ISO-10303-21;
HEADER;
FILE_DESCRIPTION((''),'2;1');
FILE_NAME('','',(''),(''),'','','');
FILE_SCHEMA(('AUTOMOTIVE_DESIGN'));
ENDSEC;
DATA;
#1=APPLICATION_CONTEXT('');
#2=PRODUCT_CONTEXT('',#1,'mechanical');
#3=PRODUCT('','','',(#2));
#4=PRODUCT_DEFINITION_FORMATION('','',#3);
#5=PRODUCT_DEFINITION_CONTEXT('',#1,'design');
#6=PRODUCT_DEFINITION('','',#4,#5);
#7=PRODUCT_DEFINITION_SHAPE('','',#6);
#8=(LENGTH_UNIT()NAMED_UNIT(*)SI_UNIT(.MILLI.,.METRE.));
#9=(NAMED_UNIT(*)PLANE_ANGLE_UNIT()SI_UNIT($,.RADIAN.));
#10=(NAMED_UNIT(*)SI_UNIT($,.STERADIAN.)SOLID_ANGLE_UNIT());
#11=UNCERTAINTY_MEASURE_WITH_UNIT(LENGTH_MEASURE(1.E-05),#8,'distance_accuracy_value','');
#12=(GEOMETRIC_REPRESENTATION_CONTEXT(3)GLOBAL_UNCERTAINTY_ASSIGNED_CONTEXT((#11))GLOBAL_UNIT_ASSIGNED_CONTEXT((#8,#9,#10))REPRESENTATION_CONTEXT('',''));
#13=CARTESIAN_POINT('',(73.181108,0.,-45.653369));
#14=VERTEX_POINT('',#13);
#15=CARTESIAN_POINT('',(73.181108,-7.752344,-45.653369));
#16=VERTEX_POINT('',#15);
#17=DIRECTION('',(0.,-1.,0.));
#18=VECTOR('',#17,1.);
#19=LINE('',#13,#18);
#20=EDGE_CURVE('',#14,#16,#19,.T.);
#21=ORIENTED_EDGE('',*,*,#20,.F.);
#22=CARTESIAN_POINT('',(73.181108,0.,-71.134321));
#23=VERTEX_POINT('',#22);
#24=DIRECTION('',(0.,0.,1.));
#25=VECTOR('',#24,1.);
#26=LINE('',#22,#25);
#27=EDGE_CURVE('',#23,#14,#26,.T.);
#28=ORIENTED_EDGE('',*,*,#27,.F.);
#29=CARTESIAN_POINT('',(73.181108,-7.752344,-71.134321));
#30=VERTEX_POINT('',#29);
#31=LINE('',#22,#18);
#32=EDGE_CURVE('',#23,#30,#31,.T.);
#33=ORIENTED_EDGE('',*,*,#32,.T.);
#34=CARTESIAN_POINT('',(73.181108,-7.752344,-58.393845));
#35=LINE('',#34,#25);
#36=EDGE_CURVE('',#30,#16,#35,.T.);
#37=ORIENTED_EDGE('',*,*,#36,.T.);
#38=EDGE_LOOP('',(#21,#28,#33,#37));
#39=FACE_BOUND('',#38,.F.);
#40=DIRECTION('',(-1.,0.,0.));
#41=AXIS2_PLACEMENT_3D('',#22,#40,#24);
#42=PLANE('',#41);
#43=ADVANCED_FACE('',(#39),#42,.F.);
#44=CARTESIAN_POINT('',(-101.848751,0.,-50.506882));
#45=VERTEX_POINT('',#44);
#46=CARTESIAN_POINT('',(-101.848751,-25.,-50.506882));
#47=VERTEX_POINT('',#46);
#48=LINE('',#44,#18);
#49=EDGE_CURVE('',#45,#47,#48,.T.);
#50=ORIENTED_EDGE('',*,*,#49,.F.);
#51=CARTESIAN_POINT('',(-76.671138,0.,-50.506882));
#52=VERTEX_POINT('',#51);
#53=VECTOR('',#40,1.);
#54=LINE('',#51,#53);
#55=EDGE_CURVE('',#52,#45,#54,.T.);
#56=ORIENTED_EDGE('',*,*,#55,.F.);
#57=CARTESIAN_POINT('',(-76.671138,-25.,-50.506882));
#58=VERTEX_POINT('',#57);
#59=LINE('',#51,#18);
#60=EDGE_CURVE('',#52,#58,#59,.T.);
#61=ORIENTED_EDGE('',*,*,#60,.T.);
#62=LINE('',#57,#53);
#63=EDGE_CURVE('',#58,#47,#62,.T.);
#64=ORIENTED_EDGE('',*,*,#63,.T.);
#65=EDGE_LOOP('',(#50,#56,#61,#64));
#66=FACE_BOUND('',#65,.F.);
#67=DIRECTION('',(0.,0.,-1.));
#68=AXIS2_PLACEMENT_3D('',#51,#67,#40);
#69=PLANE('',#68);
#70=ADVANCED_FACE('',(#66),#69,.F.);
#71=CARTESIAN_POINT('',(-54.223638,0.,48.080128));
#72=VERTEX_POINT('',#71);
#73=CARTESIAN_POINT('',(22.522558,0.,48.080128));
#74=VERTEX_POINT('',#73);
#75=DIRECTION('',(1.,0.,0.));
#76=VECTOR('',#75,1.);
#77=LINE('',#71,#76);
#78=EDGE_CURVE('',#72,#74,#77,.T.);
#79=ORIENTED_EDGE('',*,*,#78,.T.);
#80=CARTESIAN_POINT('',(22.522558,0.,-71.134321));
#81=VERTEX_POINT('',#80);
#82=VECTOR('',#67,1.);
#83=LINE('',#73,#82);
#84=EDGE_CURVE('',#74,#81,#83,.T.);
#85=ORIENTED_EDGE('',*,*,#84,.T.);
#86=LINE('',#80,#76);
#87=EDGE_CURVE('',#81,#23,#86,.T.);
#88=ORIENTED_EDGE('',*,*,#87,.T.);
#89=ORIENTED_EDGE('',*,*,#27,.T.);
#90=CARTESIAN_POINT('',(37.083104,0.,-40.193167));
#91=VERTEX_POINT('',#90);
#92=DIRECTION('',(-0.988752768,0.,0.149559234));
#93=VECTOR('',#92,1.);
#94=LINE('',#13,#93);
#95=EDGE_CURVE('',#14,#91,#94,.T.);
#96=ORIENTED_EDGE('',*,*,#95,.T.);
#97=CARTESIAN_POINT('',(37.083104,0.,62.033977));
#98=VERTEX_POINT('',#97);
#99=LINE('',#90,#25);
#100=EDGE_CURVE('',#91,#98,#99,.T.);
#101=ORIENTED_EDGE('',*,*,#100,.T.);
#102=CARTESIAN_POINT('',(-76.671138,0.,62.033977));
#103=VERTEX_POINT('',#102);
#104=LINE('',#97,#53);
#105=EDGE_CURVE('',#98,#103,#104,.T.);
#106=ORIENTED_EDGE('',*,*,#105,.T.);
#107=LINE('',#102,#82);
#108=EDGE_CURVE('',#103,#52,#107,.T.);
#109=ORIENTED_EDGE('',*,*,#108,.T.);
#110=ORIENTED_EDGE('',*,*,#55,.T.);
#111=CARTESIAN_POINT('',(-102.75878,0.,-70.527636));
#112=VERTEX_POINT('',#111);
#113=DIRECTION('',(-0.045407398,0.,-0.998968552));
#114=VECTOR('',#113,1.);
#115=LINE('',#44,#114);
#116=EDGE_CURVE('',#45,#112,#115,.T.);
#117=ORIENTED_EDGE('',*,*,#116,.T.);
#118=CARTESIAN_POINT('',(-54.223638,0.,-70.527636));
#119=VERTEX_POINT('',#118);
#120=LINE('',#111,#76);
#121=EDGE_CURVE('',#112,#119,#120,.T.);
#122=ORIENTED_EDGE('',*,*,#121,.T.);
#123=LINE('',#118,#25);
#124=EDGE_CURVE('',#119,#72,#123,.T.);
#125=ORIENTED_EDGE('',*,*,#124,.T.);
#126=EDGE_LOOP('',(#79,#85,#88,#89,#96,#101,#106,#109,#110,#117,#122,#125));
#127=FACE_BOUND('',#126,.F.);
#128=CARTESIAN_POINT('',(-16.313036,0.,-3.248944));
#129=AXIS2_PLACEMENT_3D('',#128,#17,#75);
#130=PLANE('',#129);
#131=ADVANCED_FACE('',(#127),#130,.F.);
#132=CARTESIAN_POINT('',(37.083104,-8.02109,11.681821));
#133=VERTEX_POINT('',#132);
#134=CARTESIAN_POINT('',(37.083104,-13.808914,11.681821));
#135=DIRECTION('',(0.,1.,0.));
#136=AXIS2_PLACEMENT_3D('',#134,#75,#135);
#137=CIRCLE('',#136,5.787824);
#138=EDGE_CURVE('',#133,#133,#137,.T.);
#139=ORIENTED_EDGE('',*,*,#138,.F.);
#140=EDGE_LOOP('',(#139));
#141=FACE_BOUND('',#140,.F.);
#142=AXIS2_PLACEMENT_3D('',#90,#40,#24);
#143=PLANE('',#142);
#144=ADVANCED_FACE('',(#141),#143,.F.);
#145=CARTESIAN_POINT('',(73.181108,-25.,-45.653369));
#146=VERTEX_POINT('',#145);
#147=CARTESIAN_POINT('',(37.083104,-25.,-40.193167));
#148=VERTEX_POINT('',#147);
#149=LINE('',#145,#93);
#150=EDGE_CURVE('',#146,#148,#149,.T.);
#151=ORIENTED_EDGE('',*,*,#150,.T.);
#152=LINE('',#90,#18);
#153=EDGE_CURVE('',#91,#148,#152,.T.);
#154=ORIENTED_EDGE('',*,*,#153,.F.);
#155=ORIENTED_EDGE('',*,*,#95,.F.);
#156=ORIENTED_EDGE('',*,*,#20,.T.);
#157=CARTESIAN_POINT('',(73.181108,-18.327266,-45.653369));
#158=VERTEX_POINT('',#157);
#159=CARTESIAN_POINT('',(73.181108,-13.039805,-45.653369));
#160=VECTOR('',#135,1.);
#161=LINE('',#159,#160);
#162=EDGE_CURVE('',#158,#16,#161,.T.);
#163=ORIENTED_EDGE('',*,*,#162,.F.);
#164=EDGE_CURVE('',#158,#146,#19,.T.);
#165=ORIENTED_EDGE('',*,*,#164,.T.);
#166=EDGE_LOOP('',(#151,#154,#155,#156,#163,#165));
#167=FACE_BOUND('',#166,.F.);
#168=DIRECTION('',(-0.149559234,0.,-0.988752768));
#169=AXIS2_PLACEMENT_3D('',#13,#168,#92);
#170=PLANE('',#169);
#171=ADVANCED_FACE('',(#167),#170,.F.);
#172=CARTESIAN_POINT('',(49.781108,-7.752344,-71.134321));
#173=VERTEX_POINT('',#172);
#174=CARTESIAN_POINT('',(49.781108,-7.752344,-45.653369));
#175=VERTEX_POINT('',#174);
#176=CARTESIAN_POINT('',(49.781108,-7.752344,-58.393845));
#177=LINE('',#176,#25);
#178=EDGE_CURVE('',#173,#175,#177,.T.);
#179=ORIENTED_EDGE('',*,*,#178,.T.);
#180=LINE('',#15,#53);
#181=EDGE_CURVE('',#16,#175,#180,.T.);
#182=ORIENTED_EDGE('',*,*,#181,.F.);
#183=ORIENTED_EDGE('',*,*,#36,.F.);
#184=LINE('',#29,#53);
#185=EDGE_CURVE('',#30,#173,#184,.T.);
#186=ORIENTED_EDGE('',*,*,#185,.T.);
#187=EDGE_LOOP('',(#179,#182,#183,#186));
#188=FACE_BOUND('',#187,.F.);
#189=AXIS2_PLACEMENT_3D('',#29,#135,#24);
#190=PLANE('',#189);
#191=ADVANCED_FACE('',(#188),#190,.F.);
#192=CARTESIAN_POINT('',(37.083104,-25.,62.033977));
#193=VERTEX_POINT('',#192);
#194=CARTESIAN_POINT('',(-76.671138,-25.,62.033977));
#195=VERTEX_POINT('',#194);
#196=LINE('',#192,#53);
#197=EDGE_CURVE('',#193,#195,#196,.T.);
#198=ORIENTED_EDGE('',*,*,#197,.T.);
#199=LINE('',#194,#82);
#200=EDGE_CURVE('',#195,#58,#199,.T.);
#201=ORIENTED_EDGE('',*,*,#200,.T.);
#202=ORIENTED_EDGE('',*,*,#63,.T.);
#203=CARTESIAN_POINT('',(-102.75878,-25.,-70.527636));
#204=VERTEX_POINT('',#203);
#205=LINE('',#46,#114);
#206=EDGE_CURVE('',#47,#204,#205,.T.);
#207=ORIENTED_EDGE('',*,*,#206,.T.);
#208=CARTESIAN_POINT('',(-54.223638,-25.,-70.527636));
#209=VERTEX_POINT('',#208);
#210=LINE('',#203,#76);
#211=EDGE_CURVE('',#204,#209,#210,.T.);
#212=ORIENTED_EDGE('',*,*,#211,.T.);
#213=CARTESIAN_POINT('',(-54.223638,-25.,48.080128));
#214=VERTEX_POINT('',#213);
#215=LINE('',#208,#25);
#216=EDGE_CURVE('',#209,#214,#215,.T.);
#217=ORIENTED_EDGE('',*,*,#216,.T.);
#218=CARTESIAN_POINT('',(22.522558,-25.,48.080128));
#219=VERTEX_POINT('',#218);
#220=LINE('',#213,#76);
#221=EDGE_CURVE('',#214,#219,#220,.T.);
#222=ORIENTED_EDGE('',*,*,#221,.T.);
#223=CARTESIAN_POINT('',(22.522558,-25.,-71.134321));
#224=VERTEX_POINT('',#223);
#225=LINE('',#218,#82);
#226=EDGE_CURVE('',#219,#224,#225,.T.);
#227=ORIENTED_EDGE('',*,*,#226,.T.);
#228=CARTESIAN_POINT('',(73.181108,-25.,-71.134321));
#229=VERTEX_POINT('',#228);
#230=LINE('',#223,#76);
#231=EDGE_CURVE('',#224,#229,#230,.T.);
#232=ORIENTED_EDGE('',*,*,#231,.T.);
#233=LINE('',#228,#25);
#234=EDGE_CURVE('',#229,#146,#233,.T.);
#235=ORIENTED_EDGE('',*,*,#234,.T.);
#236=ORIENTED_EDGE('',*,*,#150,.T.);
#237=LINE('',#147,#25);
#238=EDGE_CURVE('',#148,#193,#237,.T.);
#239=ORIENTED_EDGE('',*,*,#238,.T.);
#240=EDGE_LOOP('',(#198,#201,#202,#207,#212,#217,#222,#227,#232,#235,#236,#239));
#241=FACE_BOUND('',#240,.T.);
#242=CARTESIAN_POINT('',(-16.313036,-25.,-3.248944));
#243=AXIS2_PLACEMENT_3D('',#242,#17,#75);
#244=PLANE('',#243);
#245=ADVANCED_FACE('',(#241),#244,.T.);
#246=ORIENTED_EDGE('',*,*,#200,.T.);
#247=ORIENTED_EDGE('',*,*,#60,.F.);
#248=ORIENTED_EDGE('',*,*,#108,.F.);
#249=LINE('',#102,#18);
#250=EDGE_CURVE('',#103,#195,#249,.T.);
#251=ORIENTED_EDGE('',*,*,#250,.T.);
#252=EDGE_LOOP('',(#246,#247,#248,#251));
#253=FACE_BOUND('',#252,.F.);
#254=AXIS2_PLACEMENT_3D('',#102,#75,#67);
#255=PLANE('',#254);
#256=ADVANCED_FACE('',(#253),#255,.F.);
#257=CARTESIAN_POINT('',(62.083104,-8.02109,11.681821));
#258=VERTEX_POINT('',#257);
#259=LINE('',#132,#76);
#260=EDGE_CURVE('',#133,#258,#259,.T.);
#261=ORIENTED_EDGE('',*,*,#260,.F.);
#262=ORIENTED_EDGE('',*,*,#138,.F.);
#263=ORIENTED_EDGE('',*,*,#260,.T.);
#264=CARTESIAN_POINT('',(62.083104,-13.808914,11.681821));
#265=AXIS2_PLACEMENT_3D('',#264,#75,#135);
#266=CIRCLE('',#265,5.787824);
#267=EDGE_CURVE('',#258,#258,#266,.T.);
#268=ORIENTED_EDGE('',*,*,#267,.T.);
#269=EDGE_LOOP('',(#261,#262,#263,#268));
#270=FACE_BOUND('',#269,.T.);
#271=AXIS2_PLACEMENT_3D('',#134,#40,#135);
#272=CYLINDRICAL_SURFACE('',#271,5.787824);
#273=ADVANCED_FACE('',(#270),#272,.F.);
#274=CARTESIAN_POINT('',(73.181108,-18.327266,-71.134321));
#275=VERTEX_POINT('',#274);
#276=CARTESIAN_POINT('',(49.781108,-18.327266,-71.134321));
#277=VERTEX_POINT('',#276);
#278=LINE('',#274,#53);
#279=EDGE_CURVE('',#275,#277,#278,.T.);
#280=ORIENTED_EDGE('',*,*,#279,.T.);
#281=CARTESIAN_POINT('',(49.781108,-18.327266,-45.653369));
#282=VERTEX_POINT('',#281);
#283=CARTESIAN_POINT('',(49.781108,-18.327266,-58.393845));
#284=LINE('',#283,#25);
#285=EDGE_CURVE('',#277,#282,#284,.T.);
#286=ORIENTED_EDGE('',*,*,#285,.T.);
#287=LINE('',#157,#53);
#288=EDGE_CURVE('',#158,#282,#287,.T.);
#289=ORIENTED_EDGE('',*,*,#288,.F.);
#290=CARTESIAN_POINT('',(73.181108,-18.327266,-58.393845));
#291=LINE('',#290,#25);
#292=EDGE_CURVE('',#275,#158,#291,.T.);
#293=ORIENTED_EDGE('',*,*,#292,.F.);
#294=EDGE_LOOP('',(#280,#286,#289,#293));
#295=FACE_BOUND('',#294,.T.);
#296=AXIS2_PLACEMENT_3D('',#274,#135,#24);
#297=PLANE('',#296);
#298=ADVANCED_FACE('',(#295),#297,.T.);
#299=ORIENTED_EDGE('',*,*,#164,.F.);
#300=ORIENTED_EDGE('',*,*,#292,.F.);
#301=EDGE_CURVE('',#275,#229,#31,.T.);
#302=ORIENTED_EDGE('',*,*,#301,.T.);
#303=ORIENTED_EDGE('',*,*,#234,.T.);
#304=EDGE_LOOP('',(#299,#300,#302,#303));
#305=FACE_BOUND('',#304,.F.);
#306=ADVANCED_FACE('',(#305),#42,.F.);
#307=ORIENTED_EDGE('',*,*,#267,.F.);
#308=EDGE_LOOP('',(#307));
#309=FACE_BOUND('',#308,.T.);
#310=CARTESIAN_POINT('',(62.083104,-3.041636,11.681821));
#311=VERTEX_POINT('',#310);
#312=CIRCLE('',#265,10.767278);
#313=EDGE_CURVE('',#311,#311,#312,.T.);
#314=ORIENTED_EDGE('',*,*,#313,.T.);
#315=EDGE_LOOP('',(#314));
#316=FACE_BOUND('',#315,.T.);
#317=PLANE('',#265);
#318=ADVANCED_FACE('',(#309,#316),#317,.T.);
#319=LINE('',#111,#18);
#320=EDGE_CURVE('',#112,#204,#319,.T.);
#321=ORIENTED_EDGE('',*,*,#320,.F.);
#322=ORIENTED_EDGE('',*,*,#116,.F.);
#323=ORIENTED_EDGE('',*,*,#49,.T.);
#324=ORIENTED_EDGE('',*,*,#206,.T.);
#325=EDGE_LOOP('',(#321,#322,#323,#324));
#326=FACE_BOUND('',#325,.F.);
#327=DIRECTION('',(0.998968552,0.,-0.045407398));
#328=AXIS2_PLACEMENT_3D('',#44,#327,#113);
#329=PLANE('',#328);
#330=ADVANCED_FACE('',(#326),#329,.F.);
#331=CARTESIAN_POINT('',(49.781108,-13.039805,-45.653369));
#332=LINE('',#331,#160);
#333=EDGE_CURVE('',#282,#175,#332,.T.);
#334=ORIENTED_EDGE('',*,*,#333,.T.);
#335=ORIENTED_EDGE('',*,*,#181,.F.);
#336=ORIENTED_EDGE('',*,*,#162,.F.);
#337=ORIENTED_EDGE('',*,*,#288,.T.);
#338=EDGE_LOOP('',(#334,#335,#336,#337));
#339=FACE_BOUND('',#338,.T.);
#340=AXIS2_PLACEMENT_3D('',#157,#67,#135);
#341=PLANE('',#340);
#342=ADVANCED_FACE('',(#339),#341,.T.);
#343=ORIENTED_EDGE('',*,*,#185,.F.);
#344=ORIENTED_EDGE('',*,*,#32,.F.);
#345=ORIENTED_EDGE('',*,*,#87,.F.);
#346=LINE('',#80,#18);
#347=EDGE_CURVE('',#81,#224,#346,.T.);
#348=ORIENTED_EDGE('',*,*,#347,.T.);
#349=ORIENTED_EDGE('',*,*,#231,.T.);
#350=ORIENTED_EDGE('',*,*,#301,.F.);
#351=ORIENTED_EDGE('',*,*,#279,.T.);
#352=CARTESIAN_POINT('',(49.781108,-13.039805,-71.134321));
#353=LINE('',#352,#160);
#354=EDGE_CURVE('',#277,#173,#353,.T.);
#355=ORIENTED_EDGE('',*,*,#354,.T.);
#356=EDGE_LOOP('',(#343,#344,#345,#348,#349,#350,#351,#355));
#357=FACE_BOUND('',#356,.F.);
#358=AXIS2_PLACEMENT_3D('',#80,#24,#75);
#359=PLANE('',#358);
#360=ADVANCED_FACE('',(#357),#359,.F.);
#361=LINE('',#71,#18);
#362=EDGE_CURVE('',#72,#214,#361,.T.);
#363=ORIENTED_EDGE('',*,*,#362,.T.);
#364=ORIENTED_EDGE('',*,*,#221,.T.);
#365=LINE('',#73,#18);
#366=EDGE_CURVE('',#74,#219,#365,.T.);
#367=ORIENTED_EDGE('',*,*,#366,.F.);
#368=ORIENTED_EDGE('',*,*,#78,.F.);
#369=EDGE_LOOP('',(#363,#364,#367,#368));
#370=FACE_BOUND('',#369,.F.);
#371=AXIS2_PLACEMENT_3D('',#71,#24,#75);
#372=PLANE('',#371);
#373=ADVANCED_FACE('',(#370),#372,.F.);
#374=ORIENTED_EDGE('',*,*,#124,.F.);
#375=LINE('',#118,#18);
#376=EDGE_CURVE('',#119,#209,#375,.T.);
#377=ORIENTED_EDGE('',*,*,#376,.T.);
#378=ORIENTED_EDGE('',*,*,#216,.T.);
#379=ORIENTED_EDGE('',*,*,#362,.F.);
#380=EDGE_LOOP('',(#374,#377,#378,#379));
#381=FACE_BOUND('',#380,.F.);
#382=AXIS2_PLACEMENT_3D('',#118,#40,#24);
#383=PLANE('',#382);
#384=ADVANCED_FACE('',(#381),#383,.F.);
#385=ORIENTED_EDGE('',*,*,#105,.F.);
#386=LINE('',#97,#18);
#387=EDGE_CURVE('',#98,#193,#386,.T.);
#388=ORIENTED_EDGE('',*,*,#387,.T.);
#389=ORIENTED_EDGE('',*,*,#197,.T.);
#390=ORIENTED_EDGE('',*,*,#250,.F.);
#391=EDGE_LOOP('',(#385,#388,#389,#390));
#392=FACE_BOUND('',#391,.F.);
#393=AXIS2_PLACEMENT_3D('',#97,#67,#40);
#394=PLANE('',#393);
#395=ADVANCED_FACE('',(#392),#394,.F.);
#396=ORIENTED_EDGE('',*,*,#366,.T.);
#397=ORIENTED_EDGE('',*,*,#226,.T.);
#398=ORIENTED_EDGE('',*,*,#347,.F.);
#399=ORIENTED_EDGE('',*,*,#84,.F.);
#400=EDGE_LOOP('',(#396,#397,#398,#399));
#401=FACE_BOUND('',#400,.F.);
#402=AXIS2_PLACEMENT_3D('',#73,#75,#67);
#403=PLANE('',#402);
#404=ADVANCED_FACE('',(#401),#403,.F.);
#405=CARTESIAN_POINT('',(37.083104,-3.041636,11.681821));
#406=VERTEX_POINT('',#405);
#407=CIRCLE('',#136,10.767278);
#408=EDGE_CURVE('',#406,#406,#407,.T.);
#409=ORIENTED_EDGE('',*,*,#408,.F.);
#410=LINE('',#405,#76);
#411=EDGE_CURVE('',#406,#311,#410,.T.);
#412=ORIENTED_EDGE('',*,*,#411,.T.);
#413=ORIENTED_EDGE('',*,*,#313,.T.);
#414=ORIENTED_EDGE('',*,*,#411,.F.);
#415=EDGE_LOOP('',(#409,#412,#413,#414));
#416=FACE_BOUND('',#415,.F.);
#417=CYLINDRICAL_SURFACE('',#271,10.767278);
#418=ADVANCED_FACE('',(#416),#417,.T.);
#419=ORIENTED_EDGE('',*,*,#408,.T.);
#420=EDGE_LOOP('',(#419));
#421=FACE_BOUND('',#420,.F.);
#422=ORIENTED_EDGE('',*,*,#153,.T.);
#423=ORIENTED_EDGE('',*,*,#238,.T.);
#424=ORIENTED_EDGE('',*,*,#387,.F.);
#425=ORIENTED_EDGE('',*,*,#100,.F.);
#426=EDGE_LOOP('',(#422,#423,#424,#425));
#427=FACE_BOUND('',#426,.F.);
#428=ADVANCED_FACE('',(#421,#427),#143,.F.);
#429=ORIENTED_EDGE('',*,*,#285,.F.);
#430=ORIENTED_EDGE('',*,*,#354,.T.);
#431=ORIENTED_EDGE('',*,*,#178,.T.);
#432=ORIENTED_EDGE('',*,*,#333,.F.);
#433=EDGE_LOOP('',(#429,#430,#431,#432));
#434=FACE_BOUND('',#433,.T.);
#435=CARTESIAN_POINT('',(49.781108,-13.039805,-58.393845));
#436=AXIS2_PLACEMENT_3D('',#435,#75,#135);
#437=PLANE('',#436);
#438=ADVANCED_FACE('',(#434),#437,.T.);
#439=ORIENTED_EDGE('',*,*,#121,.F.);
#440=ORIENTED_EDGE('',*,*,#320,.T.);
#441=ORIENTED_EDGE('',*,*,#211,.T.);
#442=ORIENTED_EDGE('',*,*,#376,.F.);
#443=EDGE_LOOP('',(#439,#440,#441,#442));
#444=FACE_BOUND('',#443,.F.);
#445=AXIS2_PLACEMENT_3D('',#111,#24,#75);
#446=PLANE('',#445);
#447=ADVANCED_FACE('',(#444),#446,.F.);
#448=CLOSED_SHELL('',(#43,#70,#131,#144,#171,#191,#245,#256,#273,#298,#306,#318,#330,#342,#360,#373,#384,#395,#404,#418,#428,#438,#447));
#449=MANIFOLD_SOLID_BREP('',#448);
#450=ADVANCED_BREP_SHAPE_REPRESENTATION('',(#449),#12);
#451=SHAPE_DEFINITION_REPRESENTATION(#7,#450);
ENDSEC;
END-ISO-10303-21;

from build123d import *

# Parameters (mm, degrees)
F1_DEPTH = 25
F2_W     = 10.574922
F2_H     = 25.480952
F3_DEPTH = 23.4
F4_R     = 10.767278
F4_R_2   = 5.787824
F5_DEPTH = 25


with BuildPart() as f1:
    # F0 (on Front) → F1 (new body)
    with BuildSketch(Plane.XZ):
        Polygon((-76.671138, -50.506882), (-101.848751, -50.506882), (-102.75878, -70.527636), (-54.223638, -70.527636), (-54.223638, 48.080128), (22.522558, 48.080128), (22.522558, -71.134321), (73.181108, -71.134321), (73.181108, -45.653369), (37.083104, -40.193167), (37.083104, 62.033977), (-76.671138, 62.033977), align=None)
    extrude(amount=F1_DEPTH)

    # F2 (on face) → F3 (cut)
    with BuildSketch(Plane.YZ.offset(73.181108)):
        with Locations((-13.039805, -58.393845)):
            Rectangle(F2_W, F2_H)
    extrude(amount=-F3_DEPTH, mode=Mode.SUBTRACT)

    # F4 (on face) → F5 (join)
    with BuildSketch(Plane.YZ.offset(37.083104)):
        with Locations((-13.808914, 11.681821)):
            Circle(F4_R)
        with Locations((-13.808914, 11.681821)):
            Circle(F4_R_2, mode=Mode.SUBTRACT)
    extrude(amount=F5_DEPTH)


solid = f1.part
